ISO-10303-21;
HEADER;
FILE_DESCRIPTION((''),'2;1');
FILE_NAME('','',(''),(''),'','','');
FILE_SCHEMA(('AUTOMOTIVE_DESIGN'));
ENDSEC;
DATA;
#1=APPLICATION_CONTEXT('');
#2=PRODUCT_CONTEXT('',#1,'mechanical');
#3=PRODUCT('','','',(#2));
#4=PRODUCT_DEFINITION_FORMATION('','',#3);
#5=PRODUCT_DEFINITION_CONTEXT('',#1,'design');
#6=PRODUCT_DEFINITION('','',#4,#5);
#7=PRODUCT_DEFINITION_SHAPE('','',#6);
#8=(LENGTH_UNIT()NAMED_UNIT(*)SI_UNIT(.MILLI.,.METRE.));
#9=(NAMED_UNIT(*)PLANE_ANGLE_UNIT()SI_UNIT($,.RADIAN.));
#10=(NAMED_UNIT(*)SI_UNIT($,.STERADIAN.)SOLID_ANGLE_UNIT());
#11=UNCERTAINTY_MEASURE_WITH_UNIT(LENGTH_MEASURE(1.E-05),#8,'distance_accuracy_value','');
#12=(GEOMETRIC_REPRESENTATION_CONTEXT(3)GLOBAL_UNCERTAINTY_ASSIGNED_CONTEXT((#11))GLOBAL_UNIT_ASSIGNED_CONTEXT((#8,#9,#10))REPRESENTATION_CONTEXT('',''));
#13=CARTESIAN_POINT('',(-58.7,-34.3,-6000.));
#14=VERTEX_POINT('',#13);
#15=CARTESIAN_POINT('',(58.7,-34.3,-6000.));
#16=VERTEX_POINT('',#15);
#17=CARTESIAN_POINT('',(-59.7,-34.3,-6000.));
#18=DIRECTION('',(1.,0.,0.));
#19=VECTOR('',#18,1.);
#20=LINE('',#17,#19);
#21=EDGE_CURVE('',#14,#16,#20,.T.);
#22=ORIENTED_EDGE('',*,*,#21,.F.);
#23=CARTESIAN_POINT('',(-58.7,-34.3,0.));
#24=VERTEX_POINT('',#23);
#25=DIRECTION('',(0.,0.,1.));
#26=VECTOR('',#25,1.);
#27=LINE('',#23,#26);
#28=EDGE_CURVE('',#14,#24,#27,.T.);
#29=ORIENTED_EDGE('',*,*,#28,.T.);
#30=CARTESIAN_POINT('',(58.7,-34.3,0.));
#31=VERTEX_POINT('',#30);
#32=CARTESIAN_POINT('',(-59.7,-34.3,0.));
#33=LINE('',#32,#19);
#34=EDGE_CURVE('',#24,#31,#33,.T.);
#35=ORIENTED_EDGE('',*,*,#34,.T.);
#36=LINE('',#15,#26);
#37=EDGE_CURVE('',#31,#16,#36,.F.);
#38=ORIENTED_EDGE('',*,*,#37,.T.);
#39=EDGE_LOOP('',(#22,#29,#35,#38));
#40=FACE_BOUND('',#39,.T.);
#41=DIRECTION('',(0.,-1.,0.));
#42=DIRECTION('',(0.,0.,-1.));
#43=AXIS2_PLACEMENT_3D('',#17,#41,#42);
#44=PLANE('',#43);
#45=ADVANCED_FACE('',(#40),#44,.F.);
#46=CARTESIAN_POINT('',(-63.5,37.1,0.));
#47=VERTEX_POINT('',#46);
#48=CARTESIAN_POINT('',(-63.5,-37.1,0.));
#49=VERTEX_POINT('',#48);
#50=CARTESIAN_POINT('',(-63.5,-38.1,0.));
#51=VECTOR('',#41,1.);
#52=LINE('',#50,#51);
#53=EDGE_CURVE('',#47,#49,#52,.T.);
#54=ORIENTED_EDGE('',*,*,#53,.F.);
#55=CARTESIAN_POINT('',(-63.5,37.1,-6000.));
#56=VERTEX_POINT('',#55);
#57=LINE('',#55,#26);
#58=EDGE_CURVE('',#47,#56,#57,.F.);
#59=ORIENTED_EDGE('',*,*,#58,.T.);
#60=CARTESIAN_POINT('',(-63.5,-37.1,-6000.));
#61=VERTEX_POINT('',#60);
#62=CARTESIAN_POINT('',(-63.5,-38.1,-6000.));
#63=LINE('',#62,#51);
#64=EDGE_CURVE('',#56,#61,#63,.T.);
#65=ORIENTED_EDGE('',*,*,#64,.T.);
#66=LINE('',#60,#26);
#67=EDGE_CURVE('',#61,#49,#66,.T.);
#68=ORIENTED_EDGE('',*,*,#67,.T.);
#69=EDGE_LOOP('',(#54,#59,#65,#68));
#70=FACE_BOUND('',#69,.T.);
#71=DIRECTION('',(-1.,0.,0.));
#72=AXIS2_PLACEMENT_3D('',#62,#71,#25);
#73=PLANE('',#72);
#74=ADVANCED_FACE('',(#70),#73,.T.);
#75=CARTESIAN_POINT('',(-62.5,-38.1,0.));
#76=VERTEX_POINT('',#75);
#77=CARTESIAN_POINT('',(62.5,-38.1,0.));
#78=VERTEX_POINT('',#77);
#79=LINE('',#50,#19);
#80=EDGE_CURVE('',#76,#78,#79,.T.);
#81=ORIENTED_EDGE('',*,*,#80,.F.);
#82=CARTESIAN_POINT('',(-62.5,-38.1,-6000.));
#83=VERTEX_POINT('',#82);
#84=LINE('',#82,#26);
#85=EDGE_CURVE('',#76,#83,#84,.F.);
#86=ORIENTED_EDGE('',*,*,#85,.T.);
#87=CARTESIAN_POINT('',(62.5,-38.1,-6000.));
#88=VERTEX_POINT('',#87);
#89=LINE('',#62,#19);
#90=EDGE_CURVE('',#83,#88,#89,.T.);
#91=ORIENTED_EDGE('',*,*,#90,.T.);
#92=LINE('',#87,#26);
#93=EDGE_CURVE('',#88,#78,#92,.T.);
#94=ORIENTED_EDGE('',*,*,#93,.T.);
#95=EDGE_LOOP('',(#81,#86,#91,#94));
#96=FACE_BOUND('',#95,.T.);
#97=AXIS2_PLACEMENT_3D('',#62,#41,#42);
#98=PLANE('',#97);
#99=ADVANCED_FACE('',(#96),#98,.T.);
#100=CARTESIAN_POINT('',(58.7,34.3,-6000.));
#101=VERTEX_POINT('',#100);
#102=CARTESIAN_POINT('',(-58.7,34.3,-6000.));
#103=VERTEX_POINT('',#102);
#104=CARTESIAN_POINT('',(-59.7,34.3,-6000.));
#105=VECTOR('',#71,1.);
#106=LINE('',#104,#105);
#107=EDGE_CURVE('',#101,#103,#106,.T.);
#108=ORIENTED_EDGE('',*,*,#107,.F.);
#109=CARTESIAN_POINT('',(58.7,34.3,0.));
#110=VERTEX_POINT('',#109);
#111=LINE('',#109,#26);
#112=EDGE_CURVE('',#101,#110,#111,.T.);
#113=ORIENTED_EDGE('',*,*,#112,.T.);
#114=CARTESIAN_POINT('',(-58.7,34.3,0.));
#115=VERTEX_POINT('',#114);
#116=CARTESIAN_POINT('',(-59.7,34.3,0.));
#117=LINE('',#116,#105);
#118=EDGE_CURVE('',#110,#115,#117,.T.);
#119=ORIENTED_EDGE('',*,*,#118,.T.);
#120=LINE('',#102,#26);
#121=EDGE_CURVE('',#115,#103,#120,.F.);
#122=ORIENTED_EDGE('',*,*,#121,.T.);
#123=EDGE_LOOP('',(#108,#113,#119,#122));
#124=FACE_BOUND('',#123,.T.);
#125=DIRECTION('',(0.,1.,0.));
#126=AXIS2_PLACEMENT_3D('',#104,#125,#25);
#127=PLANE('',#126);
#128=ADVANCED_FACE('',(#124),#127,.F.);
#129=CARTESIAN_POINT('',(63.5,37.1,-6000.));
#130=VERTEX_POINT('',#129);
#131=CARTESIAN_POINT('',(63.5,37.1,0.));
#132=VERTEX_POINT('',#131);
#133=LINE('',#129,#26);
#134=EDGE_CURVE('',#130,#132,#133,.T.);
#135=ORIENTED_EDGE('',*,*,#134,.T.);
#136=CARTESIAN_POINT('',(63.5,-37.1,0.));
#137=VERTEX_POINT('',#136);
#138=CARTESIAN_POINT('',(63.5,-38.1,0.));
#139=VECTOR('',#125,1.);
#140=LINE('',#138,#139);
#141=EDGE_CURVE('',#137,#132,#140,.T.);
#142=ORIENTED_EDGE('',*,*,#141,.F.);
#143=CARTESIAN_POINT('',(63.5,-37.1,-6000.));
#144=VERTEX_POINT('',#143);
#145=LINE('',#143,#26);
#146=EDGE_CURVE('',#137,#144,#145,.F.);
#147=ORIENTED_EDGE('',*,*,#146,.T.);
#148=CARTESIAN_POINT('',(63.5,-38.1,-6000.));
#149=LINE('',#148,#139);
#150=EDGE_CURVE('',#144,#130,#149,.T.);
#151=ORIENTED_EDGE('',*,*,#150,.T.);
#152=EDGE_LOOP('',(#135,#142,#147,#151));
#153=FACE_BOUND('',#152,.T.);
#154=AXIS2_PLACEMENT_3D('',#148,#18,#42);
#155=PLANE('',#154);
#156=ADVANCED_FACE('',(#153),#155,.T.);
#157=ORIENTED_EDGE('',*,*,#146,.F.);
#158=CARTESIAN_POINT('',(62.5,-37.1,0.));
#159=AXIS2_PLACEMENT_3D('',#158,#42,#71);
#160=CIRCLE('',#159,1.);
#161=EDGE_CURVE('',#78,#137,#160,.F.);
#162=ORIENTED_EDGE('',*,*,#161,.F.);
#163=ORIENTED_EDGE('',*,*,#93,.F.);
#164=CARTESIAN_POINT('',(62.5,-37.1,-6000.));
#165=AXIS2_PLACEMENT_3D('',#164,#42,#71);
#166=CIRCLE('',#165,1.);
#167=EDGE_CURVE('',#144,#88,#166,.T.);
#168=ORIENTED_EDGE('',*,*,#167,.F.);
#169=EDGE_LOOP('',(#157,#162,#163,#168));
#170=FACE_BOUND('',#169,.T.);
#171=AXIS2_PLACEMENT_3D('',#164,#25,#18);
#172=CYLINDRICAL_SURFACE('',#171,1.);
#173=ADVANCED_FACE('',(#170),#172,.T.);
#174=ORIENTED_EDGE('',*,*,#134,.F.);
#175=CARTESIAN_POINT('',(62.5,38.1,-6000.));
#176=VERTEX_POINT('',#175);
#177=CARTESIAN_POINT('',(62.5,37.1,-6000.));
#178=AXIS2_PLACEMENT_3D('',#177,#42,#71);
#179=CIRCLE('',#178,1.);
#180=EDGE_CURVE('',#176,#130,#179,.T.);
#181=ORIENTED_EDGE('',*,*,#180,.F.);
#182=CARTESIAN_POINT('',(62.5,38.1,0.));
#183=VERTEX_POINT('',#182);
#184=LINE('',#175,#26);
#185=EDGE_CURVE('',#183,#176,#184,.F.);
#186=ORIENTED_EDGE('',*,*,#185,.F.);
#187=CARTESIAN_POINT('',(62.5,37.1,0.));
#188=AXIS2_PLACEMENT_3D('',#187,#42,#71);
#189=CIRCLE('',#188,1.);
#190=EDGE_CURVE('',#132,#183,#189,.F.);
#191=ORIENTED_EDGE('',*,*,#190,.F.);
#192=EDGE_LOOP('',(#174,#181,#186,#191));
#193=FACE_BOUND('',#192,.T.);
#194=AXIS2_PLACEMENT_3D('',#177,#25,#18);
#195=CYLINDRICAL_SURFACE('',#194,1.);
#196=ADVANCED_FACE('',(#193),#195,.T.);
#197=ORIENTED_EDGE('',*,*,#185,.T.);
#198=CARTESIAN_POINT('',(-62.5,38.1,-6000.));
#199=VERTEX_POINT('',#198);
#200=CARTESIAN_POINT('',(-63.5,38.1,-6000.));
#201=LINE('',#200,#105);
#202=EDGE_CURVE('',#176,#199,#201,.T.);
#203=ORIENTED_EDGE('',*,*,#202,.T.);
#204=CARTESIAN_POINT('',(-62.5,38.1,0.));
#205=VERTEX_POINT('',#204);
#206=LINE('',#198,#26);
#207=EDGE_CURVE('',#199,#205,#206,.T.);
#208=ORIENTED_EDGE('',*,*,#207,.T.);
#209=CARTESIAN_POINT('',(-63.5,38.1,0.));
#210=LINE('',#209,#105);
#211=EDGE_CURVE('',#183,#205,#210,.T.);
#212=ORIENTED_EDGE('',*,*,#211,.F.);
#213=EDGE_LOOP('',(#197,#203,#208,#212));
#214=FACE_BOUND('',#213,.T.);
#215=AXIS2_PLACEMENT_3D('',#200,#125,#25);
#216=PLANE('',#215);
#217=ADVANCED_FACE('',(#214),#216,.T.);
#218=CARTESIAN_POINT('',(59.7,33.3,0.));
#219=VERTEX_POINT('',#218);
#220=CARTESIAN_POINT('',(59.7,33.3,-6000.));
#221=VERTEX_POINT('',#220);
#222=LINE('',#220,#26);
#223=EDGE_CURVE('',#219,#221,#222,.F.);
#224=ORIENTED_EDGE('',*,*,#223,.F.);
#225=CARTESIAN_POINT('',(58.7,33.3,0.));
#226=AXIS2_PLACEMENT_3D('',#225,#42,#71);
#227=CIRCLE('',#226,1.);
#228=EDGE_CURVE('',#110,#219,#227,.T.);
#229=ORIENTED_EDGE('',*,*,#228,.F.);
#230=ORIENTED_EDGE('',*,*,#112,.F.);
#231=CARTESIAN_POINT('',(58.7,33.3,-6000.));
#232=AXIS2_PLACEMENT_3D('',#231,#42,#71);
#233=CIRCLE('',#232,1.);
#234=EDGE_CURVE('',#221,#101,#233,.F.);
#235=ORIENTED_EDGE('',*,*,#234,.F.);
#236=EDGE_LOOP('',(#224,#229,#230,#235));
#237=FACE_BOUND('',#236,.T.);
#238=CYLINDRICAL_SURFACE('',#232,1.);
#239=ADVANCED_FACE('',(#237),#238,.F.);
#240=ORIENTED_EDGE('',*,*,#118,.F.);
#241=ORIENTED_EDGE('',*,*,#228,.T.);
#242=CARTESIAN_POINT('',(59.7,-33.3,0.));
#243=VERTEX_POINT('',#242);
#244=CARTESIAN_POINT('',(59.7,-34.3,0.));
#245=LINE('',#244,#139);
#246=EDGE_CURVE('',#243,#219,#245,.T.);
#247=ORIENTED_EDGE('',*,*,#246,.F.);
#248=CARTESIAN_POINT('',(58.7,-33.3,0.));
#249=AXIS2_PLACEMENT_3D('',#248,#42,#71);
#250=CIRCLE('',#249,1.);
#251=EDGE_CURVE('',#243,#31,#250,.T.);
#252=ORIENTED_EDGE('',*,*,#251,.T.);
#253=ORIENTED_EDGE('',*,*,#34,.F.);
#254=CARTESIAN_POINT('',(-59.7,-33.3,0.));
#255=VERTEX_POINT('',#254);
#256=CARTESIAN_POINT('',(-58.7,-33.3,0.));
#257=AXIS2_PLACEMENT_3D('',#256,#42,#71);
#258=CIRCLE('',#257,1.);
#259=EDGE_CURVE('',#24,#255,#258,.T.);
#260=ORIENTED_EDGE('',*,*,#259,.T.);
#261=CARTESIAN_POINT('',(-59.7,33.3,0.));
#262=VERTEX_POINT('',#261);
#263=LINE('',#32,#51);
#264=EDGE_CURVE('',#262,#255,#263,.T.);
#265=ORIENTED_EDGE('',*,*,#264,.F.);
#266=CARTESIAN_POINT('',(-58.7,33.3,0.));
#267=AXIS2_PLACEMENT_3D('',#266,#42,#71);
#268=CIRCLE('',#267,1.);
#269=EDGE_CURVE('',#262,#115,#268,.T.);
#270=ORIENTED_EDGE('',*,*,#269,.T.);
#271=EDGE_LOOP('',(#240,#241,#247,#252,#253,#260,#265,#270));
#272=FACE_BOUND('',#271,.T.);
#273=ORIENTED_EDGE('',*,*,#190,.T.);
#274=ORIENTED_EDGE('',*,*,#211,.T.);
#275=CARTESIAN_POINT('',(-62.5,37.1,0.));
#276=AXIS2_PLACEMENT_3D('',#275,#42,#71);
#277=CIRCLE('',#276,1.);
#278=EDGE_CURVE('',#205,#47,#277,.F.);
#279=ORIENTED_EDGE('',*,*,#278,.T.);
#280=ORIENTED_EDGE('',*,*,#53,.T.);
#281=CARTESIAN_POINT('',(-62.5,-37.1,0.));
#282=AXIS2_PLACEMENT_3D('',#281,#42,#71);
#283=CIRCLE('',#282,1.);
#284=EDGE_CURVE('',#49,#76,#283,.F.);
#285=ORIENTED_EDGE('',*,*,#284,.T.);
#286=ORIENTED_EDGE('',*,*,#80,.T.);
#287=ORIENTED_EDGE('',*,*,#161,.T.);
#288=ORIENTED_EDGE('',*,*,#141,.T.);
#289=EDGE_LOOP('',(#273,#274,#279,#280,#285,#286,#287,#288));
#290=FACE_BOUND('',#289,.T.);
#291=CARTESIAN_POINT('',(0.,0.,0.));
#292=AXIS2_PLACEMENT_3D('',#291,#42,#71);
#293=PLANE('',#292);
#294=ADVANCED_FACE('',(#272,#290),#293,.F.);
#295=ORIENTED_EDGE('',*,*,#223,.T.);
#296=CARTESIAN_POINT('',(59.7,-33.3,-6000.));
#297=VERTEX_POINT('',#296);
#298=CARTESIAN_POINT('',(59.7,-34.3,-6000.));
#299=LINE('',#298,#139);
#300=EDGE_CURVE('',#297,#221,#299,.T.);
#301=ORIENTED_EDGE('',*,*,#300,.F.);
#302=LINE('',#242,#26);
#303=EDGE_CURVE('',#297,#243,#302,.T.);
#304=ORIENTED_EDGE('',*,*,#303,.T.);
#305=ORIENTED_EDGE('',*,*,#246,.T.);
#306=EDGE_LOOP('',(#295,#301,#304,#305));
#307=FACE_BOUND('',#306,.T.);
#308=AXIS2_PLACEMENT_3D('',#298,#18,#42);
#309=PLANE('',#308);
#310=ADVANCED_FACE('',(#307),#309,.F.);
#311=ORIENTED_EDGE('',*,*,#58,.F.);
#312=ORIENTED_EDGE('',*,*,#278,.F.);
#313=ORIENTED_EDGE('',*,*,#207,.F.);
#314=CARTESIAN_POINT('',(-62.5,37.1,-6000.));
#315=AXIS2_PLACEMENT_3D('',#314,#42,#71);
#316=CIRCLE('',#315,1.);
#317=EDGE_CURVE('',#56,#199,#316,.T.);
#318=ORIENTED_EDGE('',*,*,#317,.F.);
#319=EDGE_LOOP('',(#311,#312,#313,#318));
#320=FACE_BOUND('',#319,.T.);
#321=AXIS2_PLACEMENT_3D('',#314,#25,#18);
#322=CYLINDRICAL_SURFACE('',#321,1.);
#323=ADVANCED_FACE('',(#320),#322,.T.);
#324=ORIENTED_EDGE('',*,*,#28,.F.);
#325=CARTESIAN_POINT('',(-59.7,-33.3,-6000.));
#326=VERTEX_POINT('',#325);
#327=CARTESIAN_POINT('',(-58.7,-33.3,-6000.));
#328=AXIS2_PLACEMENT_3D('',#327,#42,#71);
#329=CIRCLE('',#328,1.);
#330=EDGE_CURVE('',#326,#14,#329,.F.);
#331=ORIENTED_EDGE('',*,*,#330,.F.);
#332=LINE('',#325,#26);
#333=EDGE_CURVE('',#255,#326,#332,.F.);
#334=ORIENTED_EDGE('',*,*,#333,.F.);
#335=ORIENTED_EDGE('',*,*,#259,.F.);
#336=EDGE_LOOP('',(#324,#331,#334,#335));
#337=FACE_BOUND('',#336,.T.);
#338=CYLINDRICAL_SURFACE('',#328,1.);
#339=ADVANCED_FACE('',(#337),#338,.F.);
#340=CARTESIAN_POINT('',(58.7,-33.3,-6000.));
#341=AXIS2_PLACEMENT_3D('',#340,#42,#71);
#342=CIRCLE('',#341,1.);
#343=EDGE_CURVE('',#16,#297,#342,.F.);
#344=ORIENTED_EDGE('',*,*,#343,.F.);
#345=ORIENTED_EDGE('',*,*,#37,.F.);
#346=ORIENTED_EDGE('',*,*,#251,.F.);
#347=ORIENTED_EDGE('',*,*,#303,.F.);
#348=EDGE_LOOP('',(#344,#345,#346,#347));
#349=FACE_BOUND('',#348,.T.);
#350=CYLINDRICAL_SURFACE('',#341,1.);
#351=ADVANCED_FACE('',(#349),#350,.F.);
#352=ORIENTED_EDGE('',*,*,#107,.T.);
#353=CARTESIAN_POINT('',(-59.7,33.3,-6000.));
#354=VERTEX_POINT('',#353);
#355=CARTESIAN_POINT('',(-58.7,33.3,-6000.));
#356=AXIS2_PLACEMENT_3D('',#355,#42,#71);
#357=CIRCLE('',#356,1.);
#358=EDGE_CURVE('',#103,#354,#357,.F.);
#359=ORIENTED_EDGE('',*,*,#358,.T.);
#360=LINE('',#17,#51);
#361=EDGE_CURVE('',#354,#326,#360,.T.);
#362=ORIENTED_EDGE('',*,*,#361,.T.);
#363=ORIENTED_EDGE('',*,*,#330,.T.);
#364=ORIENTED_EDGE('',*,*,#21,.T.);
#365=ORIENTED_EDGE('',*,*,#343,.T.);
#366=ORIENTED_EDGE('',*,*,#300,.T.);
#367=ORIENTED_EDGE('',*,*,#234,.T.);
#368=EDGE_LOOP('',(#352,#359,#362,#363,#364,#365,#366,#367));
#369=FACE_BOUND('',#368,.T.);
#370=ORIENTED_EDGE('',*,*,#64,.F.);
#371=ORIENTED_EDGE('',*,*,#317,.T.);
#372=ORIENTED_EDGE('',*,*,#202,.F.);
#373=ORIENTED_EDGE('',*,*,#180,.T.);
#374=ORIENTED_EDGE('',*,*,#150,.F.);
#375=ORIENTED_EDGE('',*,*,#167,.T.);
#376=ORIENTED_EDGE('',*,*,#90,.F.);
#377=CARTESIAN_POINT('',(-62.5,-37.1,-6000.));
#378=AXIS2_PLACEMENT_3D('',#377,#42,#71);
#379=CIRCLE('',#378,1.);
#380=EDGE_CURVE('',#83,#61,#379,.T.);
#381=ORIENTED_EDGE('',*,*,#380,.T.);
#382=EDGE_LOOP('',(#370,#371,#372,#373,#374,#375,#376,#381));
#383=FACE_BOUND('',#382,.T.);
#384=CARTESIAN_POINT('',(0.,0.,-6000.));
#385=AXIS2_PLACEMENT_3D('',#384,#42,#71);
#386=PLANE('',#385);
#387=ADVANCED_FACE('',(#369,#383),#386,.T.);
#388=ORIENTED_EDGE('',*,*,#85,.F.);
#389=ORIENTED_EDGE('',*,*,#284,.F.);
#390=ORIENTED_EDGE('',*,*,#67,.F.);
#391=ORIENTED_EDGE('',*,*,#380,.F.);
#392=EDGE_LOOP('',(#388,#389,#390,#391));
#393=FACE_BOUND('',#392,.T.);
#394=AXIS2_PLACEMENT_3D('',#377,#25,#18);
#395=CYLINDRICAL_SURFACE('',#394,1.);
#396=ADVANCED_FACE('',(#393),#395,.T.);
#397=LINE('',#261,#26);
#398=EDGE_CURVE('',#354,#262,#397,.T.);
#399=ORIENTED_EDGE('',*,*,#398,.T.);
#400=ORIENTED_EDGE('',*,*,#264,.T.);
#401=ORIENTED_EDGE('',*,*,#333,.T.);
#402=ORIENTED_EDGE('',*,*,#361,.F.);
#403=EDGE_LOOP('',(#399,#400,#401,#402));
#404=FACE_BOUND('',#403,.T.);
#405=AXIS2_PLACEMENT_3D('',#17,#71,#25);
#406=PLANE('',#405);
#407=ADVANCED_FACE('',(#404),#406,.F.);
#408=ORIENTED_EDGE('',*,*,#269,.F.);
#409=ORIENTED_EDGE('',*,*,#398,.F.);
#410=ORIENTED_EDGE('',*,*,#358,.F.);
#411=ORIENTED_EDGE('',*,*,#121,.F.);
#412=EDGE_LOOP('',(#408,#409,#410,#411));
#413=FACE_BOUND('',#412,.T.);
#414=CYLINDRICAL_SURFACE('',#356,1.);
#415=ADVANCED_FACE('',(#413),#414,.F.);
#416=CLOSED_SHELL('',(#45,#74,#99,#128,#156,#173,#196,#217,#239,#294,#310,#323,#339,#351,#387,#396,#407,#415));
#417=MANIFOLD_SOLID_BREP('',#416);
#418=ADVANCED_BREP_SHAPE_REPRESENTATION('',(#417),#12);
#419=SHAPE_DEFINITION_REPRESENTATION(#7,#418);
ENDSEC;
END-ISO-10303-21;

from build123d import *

# Parameters (mm, degrees)
CROQUIS1_W              = 127
CROQUIS1_H              = 76.2
CROQUIS1_W_2            = 119.4
CROQUIS1_H_2            = 68.6
SALIENTE_EXTRUIR1_DEPTH = 6000
REDONDEO1_R             = 1


with BuildPart() as part:
    # Croquis1 → Saliente-Extruir1 (new body)
    with BuildSketch(Plane.XY):
        Rectangle(CROQUIS1_W, CROQUIS1_H)
        Rectangle(CROQUIS1_W_2, CROQUIS1_H_2, mode=Mode.SUBTRACT)
    extrude(amount=-SALIENTE_EXTRUIR1_DEPTH)

    # Redondeo1
    redondeo1_edges = [part.edges().sort_by_distance(p)[0] for p in [
        (59.7, -34.3, -3000),
        (-59.7, -34.3, -3000),
        (-59.7, 34.3, -3000),
        (59.7, 34.3, -3000),
        (63.5, -38.1, -3000),
        (-63.5, -38.1, -3000),
        (-63.5, 38.1, -3000),
        (63.5, 38.1, -3000),
    ]]
    fillet(redondeo1_edges, radius=REDONDEO1_R)


solid = part.part
